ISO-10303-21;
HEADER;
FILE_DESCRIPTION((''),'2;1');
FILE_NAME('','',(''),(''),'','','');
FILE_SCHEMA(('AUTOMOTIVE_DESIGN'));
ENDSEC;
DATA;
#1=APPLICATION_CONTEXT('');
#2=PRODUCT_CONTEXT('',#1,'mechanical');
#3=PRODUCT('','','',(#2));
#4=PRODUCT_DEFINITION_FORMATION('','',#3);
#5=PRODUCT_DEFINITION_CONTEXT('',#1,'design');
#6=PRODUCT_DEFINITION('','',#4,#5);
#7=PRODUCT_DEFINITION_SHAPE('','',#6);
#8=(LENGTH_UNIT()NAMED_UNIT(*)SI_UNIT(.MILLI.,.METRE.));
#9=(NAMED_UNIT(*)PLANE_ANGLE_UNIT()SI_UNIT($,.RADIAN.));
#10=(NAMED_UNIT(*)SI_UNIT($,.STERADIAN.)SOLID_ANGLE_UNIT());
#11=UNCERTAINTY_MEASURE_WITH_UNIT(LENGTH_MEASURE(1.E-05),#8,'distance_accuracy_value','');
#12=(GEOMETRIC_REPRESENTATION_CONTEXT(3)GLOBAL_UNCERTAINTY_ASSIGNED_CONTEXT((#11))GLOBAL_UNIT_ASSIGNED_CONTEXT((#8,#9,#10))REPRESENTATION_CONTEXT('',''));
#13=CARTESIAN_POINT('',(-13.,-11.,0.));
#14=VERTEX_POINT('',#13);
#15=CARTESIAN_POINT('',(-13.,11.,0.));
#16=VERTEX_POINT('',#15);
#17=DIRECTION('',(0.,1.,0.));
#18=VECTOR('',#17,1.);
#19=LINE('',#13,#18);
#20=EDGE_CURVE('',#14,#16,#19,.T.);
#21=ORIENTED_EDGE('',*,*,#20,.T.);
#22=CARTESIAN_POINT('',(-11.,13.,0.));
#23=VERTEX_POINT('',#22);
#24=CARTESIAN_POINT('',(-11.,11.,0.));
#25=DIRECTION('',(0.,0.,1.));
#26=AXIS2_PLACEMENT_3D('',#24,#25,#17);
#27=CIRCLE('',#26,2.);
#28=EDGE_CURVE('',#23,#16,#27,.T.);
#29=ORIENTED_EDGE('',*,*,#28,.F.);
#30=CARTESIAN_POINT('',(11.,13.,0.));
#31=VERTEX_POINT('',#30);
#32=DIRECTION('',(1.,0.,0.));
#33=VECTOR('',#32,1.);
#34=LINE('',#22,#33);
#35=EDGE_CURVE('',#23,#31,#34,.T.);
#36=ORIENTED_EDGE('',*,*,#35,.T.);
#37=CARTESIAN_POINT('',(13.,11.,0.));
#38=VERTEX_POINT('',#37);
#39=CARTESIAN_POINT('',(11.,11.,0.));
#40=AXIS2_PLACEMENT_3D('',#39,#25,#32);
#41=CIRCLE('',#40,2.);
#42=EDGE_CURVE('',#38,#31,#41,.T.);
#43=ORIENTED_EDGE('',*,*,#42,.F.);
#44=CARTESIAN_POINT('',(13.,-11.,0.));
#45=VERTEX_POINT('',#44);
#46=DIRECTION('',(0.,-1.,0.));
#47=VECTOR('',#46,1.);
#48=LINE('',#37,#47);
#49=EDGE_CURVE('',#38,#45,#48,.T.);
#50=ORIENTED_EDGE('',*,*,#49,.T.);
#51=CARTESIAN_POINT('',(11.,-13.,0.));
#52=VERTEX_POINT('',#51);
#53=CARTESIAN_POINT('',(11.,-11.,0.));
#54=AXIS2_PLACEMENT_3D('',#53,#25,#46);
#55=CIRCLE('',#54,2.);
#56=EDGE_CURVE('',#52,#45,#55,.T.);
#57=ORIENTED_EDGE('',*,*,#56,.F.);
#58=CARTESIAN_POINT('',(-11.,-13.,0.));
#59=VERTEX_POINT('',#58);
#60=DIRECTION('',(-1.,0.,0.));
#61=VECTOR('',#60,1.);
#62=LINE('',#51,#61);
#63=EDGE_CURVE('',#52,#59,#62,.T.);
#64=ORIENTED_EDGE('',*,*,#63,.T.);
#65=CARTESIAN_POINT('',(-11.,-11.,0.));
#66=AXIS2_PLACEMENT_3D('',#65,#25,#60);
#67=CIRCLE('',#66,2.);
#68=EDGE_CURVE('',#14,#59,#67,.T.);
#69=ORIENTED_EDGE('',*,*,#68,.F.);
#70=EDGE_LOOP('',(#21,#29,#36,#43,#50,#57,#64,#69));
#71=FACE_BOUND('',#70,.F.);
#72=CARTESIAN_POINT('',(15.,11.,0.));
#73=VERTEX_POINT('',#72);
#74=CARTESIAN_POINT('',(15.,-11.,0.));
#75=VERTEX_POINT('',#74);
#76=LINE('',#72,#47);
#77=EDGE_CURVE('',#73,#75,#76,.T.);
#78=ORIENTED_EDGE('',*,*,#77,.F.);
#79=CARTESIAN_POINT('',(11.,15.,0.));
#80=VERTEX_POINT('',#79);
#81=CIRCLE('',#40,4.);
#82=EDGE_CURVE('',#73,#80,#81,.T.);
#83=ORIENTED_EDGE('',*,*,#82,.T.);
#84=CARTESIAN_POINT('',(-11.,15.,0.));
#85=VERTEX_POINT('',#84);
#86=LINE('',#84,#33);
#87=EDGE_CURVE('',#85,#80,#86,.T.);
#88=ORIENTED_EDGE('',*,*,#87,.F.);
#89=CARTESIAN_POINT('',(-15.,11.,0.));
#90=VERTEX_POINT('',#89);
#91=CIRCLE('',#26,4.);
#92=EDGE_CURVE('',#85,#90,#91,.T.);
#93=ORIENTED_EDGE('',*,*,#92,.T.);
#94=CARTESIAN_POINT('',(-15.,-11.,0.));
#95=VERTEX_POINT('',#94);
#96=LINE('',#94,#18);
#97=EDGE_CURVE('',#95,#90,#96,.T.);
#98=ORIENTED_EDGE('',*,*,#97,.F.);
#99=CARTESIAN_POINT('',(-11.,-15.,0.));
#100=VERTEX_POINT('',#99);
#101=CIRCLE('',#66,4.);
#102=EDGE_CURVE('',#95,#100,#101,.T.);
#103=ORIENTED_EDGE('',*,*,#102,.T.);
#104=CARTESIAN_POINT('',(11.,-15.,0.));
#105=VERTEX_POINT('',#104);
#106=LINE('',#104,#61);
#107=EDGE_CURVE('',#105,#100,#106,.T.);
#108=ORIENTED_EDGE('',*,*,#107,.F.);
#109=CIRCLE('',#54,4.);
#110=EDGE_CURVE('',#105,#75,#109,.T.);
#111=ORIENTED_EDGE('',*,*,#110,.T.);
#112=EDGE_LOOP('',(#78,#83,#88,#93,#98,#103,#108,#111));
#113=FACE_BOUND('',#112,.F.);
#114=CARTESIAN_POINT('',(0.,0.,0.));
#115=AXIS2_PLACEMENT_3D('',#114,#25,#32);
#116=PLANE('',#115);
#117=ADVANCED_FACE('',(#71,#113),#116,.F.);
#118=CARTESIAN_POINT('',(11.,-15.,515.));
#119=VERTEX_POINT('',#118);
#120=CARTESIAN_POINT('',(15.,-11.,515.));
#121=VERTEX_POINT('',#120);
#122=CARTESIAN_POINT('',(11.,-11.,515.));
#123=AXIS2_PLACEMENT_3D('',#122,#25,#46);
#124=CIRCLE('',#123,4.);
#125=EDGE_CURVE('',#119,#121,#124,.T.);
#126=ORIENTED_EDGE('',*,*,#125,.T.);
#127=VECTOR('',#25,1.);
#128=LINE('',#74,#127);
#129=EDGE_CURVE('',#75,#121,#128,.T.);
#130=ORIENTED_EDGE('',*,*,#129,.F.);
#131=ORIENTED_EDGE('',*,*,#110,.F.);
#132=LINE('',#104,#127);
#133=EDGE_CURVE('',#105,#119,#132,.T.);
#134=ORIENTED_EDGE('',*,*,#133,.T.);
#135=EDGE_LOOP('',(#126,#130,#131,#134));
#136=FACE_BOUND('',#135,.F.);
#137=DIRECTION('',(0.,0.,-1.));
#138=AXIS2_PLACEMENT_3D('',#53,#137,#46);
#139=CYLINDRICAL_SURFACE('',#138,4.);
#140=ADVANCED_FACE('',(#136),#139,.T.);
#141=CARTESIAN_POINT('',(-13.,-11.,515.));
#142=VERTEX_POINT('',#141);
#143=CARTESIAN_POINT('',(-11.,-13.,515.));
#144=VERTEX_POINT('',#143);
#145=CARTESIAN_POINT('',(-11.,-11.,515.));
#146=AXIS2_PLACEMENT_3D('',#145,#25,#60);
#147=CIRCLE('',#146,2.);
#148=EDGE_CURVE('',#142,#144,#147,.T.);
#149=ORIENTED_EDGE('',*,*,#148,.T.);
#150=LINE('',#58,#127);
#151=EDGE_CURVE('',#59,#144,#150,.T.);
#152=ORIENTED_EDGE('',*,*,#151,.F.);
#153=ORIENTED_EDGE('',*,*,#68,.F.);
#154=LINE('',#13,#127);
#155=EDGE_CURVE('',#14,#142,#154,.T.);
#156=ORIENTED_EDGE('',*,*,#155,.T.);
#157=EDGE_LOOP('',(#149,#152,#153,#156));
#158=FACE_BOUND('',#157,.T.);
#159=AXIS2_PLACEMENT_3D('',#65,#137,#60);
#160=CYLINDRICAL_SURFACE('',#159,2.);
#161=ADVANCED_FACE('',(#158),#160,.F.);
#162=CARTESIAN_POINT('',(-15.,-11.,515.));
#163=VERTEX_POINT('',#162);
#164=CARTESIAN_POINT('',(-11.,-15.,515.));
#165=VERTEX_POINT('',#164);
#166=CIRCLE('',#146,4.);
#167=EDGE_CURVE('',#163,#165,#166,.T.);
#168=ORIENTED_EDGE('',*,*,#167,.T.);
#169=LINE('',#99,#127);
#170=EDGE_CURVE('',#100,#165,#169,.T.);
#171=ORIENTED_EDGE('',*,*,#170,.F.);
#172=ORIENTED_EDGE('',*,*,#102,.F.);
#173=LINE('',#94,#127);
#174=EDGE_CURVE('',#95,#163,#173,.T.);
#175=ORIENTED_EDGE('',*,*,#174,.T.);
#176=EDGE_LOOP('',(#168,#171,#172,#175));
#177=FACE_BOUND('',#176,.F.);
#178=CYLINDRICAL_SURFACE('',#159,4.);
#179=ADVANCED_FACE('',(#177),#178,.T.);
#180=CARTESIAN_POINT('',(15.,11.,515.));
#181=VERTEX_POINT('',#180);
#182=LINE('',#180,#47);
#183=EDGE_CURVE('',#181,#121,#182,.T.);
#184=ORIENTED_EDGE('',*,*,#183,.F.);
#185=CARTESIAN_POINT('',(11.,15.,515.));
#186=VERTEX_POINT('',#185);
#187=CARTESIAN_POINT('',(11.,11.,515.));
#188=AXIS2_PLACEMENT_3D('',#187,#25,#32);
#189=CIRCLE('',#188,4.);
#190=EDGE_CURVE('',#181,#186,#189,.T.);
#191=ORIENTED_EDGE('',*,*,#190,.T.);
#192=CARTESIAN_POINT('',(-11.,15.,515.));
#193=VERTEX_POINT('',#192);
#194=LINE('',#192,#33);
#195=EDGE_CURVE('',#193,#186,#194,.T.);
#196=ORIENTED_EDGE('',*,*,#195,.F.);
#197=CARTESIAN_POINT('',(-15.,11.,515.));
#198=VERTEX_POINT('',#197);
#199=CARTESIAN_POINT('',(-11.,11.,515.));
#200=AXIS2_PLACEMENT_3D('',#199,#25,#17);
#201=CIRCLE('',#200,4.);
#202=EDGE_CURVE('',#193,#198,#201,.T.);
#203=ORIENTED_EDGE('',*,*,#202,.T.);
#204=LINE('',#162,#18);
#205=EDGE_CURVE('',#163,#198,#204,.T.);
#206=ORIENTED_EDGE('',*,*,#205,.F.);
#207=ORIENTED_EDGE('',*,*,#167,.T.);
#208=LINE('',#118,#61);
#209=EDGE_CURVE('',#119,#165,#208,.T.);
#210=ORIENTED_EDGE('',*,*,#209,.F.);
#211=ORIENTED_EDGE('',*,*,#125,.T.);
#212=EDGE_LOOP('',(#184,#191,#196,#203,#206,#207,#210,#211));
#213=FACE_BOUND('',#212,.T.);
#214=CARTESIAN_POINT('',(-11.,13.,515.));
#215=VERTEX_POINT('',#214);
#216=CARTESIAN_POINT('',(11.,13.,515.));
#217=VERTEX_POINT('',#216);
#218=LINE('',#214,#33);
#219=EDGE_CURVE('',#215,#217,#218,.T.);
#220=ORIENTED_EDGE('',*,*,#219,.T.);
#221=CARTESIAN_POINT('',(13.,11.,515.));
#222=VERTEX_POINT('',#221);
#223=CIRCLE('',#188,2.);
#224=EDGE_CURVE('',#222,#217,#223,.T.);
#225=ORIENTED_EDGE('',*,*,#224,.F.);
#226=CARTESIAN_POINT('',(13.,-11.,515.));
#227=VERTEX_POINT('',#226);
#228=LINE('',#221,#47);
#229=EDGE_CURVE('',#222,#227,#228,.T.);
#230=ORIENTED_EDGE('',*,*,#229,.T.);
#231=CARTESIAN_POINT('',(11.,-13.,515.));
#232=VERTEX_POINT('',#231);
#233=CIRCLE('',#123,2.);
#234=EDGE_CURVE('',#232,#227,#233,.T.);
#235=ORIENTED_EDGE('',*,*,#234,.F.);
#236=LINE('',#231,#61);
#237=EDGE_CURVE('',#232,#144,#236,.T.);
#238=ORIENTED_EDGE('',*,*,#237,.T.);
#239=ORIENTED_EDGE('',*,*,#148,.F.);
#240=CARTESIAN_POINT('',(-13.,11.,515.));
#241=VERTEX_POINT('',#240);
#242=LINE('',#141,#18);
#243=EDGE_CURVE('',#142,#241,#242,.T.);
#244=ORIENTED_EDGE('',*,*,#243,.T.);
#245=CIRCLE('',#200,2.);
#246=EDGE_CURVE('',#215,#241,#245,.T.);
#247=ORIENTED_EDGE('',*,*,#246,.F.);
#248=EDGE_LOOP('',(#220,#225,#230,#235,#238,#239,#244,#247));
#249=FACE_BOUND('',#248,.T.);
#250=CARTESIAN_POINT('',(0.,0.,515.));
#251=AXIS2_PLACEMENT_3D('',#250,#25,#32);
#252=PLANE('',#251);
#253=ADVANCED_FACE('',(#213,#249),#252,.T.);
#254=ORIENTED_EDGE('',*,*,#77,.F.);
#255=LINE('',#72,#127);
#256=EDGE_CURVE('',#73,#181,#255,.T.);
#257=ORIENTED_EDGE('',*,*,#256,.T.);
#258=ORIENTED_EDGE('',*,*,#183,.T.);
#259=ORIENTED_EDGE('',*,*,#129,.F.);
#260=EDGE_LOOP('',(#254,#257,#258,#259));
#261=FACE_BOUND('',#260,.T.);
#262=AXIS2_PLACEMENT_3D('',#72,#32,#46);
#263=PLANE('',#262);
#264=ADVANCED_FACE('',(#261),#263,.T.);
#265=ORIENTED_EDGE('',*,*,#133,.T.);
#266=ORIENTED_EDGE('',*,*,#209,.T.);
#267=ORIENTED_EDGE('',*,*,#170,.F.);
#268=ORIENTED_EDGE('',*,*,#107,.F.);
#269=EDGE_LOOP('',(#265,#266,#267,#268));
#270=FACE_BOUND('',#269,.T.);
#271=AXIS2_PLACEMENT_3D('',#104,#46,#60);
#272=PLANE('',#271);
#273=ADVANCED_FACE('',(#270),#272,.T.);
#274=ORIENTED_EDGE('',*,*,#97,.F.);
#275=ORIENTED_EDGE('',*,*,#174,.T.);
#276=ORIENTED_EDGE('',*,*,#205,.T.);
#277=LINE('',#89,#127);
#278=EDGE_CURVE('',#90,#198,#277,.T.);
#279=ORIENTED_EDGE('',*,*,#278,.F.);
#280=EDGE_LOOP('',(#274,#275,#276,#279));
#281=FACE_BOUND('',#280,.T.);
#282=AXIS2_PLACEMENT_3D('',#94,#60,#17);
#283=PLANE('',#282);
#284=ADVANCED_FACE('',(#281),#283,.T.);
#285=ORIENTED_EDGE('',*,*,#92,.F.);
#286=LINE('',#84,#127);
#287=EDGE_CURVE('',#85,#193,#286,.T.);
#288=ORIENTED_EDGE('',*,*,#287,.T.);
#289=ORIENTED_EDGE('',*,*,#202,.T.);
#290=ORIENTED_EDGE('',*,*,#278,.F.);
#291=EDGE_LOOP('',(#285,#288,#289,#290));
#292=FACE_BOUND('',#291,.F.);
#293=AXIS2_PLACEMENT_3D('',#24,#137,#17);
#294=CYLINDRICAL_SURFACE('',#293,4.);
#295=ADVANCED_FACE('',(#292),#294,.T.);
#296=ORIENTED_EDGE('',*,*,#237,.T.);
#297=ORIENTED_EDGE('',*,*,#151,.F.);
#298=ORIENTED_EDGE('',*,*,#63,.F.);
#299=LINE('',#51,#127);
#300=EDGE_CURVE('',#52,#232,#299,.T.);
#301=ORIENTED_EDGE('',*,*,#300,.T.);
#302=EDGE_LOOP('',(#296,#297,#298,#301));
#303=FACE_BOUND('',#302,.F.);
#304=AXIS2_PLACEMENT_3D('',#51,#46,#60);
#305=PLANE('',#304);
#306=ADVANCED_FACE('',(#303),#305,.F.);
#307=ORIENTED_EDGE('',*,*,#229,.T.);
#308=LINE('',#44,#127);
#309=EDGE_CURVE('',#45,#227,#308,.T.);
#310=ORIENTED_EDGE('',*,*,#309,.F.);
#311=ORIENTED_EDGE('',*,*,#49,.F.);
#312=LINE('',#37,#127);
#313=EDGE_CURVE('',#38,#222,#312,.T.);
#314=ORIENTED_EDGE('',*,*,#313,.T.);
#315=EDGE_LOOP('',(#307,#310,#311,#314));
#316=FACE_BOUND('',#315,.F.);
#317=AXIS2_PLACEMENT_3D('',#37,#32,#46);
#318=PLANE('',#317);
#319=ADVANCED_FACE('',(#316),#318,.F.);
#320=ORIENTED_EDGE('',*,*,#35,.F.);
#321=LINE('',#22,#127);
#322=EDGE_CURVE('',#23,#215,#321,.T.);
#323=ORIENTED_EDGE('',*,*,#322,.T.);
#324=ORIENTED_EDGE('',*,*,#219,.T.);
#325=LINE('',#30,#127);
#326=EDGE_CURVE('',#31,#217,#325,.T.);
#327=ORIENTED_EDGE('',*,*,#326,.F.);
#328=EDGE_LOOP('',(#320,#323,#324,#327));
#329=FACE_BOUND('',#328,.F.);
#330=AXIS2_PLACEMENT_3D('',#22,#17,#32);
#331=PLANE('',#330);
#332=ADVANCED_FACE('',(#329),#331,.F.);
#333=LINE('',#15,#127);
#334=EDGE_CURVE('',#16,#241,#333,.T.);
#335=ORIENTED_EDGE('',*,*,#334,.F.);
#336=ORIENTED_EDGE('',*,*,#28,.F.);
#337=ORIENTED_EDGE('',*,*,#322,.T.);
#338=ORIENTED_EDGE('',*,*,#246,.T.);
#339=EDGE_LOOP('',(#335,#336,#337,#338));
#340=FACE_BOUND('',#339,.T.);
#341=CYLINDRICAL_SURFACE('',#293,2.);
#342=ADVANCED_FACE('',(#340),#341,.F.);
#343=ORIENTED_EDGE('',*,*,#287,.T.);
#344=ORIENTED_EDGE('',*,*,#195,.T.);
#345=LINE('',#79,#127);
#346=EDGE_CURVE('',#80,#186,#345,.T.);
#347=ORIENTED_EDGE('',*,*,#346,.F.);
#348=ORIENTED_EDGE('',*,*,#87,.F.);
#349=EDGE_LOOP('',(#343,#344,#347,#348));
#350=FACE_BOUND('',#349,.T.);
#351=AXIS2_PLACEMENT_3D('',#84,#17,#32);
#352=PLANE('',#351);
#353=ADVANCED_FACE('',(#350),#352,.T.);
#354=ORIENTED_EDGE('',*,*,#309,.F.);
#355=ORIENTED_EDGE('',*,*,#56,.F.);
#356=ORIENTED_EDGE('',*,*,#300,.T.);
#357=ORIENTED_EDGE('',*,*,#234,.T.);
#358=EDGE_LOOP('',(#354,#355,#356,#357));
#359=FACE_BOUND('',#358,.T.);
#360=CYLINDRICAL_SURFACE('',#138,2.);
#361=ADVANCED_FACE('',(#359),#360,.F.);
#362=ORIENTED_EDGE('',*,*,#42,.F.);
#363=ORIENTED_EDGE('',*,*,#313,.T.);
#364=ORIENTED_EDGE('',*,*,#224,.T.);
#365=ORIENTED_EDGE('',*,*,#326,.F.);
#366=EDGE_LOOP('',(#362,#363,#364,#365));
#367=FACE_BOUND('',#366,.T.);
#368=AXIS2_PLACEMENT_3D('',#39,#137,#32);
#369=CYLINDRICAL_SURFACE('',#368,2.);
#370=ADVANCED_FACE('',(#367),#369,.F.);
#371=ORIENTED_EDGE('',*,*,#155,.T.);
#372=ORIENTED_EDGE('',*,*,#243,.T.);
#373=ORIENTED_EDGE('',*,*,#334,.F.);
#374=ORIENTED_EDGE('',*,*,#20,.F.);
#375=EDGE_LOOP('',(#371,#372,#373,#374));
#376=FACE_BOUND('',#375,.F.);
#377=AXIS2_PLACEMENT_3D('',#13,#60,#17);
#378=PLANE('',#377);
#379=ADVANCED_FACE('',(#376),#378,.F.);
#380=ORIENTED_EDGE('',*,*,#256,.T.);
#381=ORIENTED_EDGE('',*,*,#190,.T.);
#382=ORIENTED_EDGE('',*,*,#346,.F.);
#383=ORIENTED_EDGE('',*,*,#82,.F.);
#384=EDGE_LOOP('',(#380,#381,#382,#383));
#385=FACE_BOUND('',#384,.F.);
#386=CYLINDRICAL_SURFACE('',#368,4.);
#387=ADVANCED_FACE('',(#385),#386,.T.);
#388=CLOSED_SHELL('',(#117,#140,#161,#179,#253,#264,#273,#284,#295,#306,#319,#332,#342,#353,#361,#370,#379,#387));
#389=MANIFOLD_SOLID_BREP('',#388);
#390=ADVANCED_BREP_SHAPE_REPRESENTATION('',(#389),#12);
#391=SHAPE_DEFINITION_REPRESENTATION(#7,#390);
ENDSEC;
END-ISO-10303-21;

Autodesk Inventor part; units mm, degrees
ref_plane "YZ Plane" through (0, 0, 0) normal (1, 0, 0) x (0, 1, 0)
ref_plane "Plan de départ" through (0, 0, 0) normal (0, 0, 1) x (1, 0, 0)
ref_plane "Plan de fin" through (0, 0, 515) normal (0, 0, 1) x (1, 0, 0)
sketch "Esquisse" plane through (0, 0, 0) normal (0, 0, 1) x (1, 0, 0)
  line L0 (-15, -11) -> (-15, 11)
  line L1 (-11, 15) -> (11, 15)
  line L2 (15, 11) -> (15, -11)
  line L3 (11, -15) -> (-11, -15)
  arc A0 (-15, -11) -> (-11, -15) centre (-11, -11) ccw
  arc A1 (15, 11) -> (11, 15) centre (11, 11) ccw
  arc A2 (-11, 15) -> (-15, 11) centre (-11, 11) ccw
  arc A3 (11, -15) -> (15, -11) centre (11, -11) ccw
  arc A4 (-11, 13) -> (-13, 11) centre (-11, 11) ccw
  line L4 (-11, 13) -> (11, 13)
  arc A5 (13, 11) -> (11, 13) centre (11, 11) ccw
  line L5 (13, 11) -> (13, -11)
  arc A6 (11, -13) -> (13, -11) centre (11, -11) ccw
  line L6 (11, -13) -> (-11, -13)
  arc A7 (-13, -11) -> (-11, -13) centre (-11, -11) ccw
  line L7 (-13, -11) -> (-13, 11)
  line L8 (0, 22.1598) -> (0, -22.1598) construction
  line L9 (-22.1598, 0) -> (22.1598, 0) construction
  dimension "d7" = 4
  dimension "d9" = 30
  dimension "d11" = 30
  dimension "d12" = 2
  dimension "d15" = 15
  dimension "d16" = 15
extrude "Corps" add sketch "Esquisse" along normal up to surface (515 mm away) from surface at 0
sketch "Sketch3" plane through (0, 0, 0) normal (0, 0, 1) x (1, 0, 0)
  line L0 (0, 0) -> (10, 0)
ref_plane "Work Plane3" through (0, 0, 0) normal (0, -1, 0) x (1, 0, 0)
sketch "Sketch4" plane through (0, 0, 0) normal (0, -1, 0) x (1, 0, 0)
  line L0 (-2, 0) -> (12, 0) projected
  line L1 (-2, 515) -> (12, 515) projected
  dimension "d18" = 515
equation "\"d7\" = G_IR"
equation "\"d9\" = G_W"
equation "\"d11\" = G_H"
equation "\"d12\" = G_T"
equation "\"d15\" = 0.5 * d9"
equation "\"d16\" = 0.5 * d11"
equation "\"d3\" = G_L"
equation "\"G_W\" = 30"
equation "\"G_H\" = 30"
equation "\"G_T\" = 2"
equation "\"G_IR\" = 4"
equation "\"G_L\" = d18"
equation "\"G_OFFSET_START\" = 0"
equation "\"G_OFFSET_END\" = 0"
equation "\"d14\" = G_OFFSET_END + B_L"
equation "\"B_L\" = 515"
properties part number "ISO 10799-2 - 30x30x2 - 515" material "Acier, doux"
